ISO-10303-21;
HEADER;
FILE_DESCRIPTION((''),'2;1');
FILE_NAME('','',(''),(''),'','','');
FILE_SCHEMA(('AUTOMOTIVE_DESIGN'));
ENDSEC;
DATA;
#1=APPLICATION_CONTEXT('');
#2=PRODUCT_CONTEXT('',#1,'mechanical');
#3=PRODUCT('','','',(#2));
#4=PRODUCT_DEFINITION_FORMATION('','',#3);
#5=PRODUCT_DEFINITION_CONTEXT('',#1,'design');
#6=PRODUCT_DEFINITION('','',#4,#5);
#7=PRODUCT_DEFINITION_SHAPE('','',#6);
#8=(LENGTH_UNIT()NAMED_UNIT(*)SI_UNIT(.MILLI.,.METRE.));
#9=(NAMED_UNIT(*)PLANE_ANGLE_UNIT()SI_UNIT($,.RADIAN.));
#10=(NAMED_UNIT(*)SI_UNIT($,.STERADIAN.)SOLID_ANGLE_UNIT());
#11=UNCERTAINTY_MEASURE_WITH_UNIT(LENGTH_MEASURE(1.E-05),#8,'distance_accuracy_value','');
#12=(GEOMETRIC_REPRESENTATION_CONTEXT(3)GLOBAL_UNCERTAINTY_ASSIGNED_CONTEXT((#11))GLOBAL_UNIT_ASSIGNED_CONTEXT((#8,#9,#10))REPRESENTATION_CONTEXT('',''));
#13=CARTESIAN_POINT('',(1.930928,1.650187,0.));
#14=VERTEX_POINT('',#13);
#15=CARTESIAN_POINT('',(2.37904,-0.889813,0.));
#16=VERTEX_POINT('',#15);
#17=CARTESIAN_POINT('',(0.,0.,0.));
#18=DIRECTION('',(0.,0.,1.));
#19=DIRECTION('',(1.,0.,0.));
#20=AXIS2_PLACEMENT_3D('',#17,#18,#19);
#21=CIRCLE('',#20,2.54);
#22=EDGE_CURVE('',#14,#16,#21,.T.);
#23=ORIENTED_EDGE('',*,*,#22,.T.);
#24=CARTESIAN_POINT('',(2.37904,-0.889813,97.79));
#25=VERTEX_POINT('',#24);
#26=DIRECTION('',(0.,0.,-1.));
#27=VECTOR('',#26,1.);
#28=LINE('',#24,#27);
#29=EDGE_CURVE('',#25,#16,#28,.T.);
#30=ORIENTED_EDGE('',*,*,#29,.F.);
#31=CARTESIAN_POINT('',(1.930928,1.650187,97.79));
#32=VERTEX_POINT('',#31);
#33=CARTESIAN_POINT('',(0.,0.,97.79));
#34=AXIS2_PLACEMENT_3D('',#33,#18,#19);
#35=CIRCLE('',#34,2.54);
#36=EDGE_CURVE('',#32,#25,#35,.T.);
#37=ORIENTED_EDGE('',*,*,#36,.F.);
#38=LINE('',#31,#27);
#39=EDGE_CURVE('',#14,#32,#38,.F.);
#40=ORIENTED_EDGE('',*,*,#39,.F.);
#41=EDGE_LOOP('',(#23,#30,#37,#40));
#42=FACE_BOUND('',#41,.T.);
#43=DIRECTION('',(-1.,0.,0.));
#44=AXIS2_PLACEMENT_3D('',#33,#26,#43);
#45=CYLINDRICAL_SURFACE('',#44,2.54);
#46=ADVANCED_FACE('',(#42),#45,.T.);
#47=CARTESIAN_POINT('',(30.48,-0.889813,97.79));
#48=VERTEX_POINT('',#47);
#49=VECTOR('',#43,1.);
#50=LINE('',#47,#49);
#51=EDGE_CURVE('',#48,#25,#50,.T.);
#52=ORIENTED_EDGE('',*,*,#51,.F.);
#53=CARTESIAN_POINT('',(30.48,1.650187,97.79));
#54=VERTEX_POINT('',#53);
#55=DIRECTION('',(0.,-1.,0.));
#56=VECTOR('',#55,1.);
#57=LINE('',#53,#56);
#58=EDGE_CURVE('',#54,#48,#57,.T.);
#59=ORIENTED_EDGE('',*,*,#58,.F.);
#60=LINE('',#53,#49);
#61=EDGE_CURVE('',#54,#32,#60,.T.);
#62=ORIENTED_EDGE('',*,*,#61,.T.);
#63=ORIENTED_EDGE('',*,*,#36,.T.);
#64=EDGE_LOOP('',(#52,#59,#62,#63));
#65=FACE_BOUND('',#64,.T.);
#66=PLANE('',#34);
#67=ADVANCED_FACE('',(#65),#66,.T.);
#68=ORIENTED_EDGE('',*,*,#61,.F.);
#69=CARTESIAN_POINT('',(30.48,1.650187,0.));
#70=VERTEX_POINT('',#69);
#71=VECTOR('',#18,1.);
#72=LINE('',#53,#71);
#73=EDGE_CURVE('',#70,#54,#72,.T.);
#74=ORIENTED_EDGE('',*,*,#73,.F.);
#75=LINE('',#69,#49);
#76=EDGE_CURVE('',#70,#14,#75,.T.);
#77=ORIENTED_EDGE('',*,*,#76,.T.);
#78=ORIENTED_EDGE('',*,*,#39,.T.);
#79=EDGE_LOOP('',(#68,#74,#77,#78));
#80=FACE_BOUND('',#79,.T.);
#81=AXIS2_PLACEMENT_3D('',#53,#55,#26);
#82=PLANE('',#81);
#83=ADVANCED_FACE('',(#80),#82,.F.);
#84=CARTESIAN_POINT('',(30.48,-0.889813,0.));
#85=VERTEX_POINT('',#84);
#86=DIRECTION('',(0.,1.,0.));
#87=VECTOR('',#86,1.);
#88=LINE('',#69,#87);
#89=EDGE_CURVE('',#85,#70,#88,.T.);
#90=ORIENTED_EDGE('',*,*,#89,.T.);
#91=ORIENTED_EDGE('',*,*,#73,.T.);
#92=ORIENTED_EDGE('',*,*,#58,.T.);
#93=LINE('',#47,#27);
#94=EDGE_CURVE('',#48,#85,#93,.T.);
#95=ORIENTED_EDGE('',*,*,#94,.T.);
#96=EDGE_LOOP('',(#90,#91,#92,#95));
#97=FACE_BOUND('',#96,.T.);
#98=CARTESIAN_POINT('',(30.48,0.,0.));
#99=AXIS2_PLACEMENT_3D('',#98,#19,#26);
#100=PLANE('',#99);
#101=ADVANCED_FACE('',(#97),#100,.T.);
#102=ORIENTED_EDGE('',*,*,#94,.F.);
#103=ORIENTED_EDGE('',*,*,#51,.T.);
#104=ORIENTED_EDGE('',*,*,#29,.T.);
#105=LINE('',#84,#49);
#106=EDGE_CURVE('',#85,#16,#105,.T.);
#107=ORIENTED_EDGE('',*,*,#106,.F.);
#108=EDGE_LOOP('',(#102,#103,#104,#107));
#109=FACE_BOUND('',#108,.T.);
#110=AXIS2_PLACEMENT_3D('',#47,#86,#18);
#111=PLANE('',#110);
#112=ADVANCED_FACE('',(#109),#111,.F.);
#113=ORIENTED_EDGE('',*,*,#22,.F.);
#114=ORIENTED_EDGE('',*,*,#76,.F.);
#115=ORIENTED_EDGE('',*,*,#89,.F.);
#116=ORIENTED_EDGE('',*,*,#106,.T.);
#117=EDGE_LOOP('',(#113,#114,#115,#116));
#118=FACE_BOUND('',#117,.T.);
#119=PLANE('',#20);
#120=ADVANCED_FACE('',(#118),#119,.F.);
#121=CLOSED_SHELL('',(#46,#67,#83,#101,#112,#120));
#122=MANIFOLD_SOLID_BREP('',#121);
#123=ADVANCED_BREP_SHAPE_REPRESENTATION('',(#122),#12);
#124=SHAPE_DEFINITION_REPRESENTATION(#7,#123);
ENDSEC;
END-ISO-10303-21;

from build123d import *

# Parameters (mm, degrees)
SKETCH1_R           = 2.54
BOSS_EXTRUDE1_DEPTH = 97.79
SKETCH2_W           = 97.79
SKETCH2_H           = 2.54
BOSS_EXTRUDE2_DEPTH = 30.48


with BuildPart() as part:
    # Sketch1 → Boss-Extrude1 (new body)
    with BuildSketch(Plane.XY):
        Circle(SKETCH1_R)
    extrude(amount=BOSS_EXTRUDE1_DEPTH)

    # Sketch2 → Boss-Extrude2 (add)
    with BuildSketch(Plane(origin=(0, 0, 0), x_dir=(0, 0, -1), z_dir=(1, 0, 0))):
        with Locations((-48.895, 0.380186804)):
            Rectangle(SKETCH2_W, SKETCH2_H)
    extrude(amount=BOSS_EXTRUDE2_DEPTH)


solid = part.part
